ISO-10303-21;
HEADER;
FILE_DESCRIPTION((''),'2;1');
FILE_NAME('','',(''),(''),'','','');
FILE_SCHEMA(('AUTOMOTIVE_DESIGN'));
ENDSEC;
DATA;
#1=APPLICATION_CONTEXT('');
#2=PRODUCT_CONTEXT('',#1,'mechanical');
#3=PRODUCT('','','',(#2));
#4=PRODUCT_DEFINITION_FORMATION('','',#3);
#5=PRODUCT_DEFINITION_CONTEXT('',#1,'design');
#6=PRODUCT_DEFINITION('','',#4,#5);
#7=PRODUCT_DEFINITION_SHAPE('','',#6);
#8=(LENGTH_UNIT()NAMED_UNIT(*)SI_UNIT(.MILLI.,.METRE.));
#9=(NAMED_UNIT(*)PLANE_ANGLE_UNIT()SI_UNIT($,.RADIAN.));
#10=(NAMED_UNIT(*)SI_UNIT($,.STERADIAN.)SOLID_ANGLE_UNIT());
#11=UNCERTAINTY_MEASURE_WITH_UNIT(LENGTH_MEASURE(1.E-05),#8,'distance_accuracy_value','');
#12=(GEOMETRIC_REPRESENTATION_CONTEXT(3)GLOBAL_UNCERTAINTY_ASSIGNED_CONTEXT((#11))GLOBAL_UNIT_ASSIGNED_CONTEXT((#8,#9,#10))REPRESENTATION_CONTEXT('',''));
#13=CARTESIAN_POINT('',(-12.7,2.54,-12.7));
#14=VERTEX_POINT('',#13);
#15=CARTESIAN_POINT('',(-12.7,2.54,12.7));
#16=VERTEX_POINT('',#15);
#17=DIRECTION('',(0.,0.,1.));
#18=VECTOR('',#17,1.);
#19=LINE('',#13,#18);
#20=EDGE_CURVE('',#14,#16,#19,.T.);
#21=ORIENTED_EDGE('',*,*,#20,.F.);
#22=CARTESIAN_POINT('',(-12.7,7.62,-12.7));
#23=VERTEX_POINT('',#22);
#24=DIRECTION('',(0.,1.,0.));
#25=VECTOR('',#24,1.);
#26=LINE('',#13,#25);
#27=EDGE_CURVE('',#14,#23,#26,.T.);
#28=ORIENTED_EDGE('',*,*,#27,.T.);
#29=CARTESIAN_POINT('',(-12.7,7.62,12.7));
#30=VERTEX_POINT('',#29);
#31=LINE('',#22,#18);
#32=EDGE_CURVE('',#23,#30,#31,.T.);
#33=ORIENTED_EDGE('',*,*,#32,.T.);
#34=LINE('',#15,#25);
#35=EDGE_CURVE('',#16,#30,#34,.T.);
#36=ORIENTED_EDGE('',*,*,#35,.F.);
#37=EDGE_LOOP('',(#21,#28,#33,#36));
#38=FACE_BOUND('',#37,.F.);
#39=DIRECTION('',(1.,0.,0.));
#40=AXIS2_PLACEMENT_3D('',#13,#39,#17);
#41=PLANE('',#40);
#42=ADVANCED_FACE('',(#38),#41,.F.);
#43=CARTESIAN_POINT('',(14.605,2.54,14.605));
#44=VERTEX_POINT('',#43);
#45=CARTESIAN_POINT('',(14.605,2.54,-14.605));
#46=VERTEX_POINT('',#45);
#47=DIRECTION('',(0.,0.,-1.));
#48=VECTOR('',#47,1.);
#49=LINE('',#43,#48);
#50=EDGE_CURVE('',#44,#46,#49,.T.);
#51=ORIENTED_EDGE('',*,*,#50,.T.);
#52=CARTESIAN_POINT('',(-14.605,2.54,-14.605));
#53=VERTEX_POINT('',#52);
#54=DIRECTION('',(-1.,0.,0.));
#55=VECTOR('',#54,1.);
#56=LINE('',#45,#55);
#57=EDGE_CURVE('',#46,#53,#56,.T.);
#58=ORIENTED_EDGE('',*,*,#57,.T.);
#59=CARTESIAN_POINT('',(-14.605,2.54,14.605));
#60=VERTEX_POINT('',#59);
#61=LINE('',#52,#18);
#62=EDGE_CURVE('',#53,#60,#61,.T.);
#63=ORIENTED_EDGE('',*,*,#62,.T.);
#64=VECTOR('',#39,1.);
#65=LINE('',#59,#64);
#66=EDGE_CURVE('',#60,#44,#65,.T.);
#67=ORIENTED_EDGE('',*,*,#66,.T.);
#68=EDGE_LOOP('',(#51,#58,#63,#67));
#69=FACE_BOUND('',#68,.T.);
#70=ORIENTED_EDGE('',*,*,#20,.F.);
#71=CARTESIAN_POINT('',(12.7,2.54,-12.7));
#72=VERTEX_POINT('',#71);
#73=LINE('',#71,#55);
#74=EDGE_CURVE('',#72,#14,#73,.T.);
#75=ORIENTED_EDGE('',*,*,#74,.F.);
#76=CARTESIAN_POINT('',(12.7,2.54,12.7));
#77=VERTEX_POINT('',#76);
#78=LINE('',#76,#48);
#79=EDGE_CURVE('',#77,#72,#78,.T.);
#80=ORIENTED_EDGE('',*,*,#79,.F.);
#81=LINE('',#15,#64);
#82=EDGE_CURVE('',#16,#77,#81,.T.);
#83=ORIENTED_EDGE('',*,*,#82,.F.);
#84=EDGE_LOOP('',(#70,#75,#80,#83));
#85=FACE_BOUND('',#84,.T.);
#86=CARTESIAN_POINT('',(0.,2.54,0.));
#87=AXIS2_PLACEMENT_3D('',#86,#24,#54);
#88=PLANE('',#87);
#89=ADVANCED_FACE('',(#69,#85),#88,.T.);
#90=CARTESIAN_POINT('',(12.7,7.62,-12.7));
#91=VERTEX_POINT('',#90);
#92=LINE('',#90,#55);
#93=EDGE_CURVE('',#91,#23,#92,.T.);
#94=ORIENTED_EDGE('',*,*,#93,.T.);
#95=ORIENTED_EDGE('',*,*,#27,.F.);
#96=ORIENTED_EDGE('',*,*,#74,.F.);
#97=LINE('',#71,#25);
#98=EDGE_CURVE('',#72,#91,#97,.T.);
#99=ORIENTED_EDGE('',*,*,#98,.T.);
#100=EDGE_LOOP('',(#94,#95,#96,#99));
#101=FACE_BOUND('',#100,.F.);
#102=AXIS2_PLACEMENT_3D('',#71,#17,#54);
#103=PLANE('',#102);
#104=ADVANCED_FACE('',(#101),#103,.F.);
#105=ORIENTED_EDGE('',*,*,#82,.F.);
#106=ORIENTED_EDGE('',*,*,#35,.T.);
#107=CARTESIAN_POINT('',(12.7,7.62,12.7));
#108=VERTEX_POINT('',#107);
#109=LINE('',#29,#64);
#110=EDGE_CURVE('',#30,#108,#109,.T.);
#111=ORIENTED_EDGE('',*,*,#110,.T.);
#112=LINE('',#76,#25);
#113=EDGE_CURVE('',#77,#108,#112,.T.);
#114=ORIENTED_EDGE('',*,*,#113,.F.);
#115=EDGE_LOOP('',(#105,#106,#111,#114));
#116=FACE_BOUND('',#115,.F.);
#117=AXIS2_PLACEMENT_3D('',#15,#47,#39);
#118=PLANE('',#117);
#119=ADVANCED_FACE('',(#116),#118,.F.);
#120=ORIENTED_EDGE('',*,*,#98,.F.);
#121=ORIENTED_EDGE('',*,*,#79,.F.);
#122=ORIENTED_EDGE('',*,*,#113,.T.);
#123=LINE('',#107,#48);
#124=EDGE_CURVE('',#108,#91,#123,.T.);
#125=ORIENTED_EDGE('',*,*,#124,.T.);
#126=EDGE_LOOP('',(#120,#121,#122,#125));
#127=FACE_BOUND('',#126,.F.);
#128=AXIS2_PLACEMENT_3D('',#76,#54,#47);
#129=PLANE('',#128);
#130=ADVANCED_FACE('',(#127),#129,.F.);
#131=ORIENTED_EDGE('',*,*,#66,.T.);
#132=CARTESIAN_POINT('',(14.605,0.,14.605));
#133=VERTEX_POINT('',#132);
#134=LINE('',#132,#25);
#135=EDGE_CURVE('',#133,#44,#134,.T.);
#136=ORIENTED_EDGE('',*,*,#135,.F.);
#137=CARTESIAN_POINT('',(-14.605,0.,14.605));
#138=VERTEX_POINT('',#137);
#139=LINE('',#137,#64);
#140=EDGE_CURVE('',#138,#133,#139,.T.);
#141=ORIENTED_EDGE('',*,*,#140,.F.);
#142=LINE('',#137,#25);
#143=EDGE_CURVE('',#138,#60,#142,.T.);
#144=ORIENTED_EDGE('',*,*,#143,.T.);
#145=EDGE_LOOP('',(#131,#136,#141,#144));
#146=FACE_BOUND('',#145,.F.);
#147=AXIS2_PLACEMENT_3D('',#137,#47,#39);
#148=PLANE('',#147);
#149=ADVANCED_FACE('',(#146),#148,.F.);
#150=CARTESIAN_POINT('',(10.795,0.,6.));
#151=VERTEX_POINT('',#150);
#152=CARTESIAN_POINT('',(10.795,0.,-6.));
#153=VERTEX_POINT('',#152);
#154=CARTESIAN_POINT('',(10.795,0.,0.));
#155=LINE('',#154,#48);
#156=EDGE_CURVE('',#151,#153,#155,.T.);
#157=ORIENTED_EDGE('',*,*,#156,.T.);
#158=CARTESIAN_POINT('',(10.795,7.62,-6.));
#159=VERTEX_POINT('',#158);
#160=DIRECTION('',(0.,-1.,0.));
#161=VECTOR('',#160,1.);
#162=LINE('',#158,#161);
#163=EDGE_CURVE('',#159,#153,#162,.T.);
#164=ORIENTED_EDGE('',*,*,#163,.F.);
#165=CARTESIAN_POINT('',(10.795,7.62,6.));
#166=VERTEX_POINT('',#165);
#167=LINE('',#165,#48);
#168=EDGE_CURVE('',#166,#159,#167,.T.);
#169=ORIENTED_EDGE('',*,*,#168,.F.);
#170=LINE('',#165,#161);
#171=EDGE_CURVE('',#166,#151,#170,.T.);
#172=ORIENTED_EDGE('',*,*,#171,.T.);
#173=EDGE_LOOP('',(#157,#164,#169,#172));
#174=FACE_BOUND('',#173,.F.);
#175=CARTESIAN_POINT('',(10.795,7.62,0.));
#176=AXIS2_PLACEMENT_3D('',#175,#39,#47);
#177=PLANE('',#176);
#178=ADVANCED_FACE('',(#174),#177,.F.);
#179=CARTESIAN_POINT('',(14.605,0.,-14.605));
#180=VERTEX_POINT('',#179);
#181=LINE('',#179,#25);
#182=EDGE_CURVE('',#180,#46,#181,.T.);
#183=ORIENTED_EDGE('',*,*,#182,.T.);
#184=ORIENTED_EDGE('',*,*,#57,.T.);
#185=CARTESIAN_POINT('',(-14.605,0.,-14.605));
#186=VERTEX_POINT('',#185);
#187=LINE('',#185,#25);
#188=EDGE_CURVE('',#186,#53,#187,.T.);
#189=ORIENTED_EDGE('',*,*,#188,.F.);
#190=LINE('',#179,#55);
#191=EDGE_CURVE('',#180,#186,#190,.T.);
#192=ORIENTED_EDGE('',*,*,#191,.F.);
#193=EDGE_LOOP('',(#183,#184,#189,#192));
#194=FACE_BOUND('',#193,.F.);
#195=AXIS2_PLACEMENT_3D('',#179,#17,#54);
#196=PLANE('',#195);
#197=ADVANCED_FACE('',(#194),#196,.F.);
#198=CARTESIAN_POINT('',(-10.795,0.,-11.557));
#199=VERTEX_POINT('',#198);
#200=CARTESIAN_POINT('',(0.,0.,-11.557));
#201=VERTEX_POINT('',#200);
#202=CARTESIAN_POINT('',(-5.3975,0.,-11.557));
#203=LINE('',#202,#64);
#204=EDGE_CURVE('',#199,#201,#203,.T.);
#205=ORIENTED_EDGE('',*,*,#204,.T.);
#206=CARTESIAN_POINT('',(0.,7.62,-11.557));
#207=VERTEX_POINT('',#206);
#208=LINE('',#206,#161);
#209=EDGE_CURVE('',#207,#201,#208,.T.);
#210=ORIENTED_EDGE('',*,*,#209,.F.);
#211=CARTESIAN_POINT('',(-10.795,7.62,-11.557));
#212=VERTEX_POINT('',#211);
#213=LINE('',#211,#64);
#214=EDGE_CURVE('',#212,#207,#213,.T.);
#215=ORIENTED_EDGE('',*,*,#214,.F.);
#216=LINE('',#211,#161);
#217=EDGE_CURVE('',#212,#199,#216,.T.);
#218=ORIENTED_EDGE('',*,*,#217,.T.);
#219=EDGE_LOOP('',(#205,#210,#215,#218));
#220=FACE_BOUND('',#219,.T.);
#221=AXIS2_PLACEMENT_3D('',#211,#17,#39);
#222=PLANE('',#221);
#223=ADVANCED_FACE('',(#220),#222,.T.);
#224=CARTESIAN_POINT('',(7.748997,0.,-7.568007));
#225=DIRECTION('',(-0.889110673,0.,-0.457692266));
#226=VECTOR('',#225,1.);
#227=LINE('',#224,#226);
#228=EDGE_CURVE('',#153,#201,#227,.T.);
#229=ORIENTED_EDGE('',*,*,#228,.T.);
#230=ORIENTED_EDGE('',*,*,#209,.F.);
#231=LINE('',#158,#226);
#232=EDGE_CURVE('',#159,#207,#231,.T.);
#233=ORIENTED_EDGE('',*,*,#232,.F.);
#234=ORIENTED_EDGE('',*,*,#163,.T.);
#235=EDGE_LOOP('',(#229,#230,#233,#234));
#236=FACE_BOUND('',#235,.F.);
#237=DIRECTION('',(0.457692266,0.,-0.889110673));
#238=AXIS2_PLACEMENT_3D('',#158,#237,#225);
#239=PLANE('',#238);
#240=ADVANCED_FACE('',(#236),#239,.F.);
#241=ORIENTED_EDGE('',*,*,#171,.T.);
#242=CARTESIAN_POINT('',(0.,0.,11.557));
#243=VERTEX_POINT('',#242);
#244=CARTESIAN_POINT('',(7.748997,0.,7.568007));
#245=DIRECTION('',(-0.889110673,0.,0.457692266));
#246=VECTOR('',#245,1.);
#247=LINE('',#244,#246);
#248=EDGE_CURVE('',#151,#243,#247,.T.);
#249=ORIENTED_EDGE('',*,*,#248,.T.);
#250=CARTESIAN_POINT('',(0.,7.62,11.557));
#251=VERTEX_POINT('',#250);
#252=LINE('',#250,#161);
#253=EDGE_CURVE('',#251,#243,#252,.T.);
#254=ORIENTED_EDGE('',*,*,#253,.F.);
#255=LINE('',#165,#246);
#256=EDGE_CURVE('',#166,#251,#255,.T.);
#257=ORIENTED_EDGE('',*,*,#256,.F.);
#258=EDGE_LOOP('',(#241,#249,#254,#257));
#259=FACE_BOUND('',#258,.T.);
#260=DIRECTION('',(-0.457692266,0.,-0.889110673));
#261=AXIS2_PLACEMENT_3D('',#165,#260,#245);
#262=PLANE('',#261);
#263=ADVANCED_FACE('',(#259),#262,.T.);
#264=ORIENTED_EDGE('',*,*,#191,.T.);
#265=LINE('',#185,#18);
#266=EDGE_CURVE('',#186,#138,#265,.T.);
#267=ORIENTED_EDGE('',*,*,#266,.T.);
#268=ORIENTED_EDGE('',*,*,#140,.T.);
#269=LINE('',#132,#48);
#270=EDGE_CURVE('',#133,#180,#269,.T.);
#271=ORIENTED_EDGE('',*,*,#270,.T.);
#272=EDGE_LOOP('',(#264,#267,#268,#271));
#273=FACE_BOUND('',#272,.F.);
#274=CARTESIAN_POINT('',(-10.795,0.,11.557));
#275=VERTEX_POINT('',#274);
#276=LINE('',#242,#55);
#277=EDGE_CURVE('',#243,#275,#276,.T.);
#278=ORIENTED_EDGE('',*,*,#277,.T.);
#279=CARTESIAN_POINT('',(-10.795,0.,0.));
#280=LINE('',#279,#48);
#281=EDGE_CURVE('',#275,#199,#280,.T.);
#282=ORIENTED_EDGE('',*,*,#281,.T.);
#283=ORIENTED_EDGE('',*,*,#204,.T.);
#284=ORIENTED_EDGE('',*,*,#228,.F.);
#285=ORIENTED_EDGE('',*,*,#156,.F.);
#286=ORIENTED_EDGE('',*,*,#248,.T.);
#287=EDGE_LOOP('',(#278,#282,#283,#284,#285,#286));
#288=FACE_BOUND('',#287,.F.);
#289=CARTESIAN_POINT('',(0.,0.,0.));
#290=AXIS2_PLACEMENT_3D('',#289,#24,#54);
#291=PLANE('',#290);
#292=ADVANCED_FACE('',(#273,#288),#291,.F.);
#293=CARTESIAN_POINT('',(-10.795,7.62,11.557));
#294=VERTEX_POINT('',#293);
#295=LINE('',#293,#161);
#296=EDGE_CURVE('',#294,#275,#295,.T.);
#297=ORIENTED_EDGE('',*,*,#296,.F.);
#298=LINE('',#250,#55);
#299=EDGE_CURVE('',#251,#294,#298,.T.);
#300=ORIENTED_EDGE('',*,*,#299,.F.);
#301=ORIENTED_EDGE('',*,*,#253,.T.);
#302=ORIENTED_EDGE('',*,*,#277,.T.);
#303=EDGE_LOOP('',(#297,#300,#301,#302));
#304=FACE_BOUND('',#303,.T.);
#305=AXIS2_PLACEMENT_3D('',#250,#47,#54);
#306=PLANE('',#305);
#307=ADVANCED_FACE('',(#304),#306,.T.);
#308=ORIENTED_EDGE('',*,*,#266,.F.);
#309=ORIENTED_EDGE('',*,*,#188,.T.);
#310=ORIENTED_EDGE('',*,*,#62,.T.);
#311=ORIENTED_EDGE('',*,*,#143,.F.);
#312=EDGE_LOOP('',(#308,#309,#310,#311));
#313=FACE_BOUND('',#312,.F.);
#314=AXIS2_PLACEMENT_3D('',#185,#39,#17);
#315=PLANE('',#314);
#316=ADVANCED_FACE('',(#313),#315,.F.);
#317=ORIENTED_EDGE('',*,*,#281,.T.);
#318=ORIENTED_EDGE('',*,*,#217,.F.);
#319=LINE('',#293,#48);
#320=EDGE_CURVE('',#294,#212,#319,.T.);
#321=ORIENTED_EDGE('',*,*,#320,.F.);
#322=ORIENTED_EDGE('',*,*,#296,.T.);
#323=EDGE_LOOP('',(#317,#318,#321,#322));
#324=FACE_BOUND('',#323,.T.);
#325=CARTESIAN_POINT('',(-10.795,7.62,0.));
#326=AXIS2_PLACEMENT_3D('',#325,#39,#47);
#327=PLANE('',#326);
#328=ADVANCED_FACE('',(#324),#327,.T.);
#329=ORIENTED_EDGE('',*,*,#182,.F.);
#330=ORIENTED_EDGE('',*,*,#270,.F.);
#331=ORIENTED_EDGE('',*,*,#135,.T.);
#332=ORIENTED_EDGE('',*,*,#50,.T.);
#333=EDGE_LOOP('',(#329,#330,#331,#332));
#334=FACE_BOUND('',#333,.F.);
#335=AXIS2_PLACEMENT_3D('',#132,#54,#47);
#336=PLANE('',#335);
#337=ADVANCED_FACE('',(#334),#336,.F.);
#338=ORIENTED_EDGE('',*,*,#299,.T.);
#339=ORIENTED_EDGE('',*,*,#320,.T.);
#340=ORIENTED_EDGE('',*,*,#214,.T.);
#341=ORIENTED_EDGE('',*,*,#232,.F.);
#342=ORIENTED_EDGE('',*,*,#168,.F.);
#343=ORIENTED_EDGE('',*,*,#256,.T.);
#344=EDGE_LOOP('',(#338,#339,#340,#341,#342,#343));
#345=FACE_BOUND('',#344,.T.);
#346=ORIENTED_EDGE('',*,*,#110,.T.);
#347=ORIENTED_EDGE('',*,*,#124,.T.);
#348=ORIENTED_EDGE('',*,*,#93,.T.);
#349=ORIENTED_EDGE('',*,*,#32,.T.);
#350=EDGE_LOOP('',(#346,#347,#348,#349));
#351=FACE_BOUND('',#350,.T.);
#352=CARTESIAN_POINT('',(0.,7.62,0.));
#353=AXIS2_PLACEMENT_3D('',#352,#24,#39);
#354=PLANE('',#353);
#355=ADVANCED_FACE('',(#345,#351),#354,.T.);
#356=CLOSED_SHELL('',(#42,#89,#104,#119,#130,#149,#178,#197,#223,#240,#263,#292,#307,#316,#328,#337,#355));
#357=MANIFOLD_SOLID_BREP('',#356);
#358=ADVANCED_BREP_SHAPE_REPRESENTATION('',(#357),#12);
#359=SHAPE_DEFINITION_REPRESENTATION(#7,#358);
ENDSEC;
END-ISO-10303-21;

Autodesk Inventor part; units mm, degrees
ref_plane "YZ Plane" through (0, 0, 0) normal (1, 0, 0) x (0, 1, 0)
ref_plane "XZ Plane" through (0, 0, 0) normal (0, 1, 0) x (-1, 0, 0)
ref_plane "XY Plane" through (0, 0, 0) normal (0, 0, 1) x (1, 0, 0)
sketch "Sketch1" plane through (0, 0, 0) normal (0, 1, 0) x (-1, 0, 0)
  line L0 (14.605, 14.605) -> (-14.605, 14.605)
  line L1 (-14.605, 14.605) -> (-14.605, -14.605)
  line L2 (-14.605, -14.605) -> (14.605, -14.605)
  line L3 (14.605, -14.605) -> (14.605, 14.605)
  point P0 (0, 0)
  point P1 (14.605, 0)
  point P2 (0, -14.605)
  dimension "d0" = 29.21
  dimension "d1" = 29.21
extrude "Extrusion1" add sketch "Sketch1" along normal blind 2.54
sketch "Sketch2" plane through (0, 2.54, 0) normal (0, 1, 0) x (1, 0, 0)
  line L0 (-12.7, -12.7) -> (12.7, -12.7)
  line L1 (12.7, -12.7) -> (12.7, 12.7)
  line L2 (12.7, 12.7) -> (-12.7, 12.7)
  line L3 (-12.7, 12.7) -> (-12.7, -12.7)
  point P0 (0, 0)
  point P1 (0, 12.7)
  point P2 (-12.7, 0)
  dimension "d4" = 25.4
  dimension "d5" = 25.4
extrude "Extrusion2" add sketch "Sketch2" along normal blind 5.08
sketch "Sketch3" plane through (0, 7.62, 0) normal (0, 1, 0) x (1, 0, 0)
  line L0 (0, 0) -> (0, 11.557)
  line L1 (0, 11.557) -> (0, -11.557)
  line L2 (0, -11.557) -> (0, -11.0469)
  line L3 (0, 0) -> (-10.795, 0)
  line L4 (-10.795, 0) -> (10.795, 0)
  line L5 (0, -11.557) -> (-10.795, -11.557)
  line L6 (-10.795, -11.557) -> (-10.795, 11.557)
  line L7 (-10.795, 11.557) -> (0, 11.557)
  line L8 (10.795, 0) -> (10.795, 6)
  line L9 (10.795, 6) -> (10.795, -6)
  line L10 (10.795, -6) -> (0, -11.557)
  line L11 (10.795, 6) -> (0, 11.557)
  dimension "d8" = 11.557
  dimension "d9" = 23.114
  dimension "d10" = 10.795
  dimension "d11" = 21.59
  dimension "d12" = 6
  dimension "d13" = 12
extrude "Extrusion3" cut sketch "Sketch3" against normal blind 25.4
properties part number "Adapter_3DPrint"
